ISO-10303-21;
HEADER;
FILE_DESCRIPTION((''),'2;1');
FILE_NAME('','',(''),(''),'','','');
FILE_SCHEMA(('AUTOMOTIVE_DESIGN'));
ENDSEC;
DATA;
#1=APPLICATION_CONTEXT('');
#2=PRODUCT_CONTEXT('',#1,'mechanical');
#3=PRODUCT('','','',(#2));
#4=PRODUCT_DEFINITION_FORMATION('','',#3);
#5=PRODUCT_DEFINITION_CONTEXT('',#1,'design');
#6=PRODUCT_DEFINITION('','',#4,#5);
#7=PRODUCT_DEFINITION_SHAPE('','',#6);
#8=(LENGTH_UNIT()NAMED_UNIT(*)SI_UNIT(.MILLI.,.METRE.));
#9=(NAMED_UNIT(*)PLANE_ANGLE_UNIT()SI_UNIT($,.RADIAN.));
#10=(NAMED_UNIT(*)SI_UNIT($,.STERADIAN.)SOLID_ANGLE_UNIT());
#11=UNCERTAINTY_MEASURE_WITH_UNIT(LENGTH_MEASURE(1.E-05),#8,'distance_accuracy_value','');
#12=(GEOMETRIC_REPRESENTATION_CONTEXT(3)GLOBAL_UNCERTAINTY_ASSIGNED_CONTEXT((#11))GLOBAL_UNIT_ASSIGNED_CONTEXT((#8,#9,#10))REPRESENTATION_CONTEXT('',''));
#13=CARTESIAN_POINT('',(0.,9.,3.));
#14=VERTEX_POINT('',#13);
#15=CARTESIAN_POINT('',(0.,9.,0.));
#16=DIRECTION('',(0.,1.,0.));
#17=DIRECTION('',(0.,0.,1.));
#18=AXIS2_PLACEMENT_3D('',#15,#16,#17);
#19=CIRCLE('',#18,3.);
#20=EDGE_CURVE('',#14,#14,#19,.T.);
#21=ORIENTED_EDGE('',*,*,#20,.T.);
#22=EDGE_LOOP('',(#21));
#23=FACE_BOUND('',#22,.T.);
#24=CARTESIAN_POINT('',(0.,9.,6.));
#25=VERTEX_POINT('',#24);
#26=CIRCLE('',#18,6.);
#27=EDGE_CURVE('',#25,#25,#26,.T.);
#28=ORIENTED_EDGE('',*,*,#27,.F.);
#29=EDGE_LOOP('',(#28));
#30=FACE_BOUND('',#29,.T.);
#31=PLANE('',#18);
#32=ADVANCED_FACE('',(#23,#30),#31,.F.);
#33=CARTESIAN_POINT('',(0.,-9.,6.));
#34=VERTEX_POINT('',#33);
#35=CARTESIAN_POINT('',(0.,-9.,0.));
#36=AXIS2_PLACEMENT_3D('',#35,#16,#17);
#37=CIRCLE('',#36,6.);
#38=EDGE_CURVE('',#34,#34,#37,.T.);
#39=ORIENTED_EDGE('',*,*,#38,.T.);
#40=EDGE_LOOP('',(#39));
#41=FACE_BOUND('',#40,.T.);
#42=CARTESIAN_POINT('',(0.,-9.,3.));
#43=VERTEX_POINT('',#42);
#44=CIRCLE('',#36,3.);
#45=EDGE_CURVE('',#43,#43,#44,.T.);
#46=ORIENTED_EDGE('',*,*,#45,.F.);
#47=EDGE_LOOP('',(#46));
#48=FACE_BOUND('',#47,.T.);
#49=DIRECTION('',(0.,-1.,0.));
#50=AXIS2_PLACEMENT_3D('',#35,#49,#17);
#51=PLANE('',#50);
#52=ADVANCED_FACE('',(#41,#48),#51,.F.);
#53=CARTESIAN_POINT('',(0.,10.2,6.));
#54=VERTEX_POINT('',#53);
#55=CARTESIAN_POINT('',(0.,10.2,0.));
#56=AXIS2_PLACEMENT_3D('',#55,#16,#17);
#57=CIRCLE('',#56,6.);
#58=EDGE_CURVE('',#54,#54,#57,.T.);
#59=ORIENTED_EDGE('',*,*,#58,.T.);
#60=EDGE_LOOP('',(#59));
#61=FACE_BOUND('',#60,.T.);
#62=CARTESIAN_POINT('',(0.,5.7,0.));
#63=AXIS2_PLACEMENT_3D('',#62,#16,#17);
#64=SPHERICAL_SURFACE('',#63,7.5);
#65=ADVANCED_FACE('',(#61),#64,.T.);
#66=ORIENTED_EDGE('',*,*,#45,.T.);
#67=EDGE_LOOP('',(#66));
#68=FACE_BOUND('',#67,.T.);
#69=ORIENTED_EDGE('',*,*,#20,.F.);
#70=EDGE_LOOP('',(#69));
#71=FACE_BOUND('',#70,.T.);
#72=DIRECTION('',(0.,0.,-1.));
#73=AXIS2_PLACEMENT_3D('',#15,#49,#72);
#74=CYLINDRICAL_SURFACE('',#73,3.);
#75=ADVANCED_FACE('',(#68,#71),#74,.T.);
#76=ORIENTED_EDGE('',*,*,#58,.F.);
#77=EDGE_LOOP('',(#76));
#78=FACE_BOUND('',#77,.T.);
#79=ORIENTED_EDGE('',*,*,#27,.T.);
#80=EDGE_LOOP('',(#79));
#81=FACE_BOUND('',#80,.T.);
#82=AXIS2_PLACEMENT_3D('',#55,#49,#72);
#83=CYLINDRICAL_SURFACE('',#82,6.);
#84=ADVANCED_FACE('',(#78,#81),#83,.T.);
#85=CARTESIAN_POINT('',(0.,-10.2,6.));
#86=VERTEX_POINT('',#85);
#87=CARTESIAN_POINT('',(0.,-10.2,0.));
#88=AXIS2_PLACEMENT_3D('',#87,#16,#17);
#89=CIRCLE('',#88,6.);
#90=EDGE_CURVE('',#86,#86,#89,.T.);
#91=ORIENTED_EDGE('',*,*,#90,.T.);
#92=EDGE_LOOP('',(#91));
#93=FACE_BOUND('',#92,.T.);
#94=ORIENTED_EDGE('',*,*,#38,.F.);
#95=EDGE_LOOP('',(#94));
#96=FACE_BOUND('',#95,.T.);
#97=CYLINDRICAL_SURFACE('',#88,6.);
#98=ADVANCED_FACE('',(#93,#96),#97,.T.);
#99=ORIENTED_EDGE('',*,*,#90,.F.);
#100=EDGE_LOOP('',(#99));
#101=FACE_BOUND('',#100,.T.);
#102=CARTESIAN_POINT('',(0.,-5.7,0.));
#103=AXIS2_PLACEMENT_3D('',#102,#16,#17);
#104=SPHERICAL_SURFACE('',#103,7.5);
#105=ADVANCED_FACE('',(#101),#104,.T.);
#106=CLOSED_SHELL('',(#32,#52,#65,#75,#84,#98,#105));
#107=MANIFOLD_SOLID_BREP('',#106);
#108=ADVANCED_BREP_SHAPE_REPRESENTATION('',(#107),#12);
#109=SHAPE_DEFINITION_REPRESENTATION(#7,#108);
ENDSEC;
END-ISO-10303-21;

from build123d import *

# Parameters (mm, degrees)
SKETCH_1_R                  = 3
EXTRUDE_1_DEPTH             = 9
SKETCH_2_R                  = 6
EXTRUDE_2_DEPTH             = 1.2
DOME_1_FACE_RADIUS          = 6
DOME_1_HEIGHT               = 3
MIRROR_1_COPY_1_FACE_RADIUS = 6
MIRROR_1_COPY_1_HEIGHT      = 3


with BuildPart() as part:
    # Эскиз1 → Бобышка-Вытянуть1 (new, symmetric)
    with BuildSketch(Plane(origin=(0, 0, 0), x_dir=(1, 0, 0), z_dir=(0, 1, 0))):
        with Locations(Location((0, 0, 0), (0, 0, 270))):
            Circle(SKETCH_1_R)
    extrude(amount=EXTRUDE_1_DEPTH, both=True)

    # Эскиз2 → Бобышка-Вытянуть2 (add)
    with BuildSketch(Plane(origin=(0, 9, 0), x_dir=(1, 0, 0), z_dir=(0, 1, 0))):
        with Locations(Location((0, 0, 0), (0, 0, 270))):
            Circle(SKETCH_2_R)
    extrude_2 = extrude(amount=EXTRUDE_2_DEPTH)

    # Купол1: a dome of height H over a round flat face of radius A is a cap of a sphere of radius (A * A + H * H) / (2 * H)
    dome_1_r = (DOME_1_FACE_RADIUS * DOME_1_FACE_RADIUS + DOME_1_HEIGHT * DOME_1_HEIGHT) / (2 * DOME_1_HEIGHT)
    dome_1_base = Plane((0, 10.2, 0), z_dir=(0, 1, 0))
    with Locations(dome_1_base.offset(DOME_1_HEIGHT - dome_1_r)):
        dome_1_ball = Sphere(dome_1_r, mode=Mode.PRIVATE)
    add(split(dome_1_ball, bisect_by=dome_1_base, keep=Keep.TOP, mode=Mode.PRIVATE))

    # Зеркальное отражение1: Бобышка-Вытянуть2 across plane
    add(extrude_2.mirror(Plane.ZX))

    # Зеркальное отражение1 copy 1: a dome of height H over a round flat face of radius A is a cap of a sphere of radius (A * A + H * H) / (2 * H)
    mirror_1_copy_1_r = (MIRROR_1_COPY_1_FACE_RADIUS * MIRROR_1_COPY_1_FACE_RADIUS + MIRROR_1_COPY_1_HEIGHT * MIRROR_1_COPY_1_HEIGHT) / (2 * MIRROR_1_COPY_1_HEIGHT)
    mirror_1_copy_1_base = Plane((0, -10.2, 0), z_dir=(0, -1, 0))
    with Locations(mirror_1_copy_1_base.offset(MIRROR_1_COPY_1_HEIGHT - mirror_1_copy_1_r)):
        mirror_1_copy_1_ball = Sphere(mirror_1_copy_1_r, mode=Mode.PRIVATE)
    add(split(mirror_1_copy_1_ball, bisect_by=mirror_1_copy_1_base, keep=Keep.TOP, mode=Mode.PRIVATE))


solid = part.part
